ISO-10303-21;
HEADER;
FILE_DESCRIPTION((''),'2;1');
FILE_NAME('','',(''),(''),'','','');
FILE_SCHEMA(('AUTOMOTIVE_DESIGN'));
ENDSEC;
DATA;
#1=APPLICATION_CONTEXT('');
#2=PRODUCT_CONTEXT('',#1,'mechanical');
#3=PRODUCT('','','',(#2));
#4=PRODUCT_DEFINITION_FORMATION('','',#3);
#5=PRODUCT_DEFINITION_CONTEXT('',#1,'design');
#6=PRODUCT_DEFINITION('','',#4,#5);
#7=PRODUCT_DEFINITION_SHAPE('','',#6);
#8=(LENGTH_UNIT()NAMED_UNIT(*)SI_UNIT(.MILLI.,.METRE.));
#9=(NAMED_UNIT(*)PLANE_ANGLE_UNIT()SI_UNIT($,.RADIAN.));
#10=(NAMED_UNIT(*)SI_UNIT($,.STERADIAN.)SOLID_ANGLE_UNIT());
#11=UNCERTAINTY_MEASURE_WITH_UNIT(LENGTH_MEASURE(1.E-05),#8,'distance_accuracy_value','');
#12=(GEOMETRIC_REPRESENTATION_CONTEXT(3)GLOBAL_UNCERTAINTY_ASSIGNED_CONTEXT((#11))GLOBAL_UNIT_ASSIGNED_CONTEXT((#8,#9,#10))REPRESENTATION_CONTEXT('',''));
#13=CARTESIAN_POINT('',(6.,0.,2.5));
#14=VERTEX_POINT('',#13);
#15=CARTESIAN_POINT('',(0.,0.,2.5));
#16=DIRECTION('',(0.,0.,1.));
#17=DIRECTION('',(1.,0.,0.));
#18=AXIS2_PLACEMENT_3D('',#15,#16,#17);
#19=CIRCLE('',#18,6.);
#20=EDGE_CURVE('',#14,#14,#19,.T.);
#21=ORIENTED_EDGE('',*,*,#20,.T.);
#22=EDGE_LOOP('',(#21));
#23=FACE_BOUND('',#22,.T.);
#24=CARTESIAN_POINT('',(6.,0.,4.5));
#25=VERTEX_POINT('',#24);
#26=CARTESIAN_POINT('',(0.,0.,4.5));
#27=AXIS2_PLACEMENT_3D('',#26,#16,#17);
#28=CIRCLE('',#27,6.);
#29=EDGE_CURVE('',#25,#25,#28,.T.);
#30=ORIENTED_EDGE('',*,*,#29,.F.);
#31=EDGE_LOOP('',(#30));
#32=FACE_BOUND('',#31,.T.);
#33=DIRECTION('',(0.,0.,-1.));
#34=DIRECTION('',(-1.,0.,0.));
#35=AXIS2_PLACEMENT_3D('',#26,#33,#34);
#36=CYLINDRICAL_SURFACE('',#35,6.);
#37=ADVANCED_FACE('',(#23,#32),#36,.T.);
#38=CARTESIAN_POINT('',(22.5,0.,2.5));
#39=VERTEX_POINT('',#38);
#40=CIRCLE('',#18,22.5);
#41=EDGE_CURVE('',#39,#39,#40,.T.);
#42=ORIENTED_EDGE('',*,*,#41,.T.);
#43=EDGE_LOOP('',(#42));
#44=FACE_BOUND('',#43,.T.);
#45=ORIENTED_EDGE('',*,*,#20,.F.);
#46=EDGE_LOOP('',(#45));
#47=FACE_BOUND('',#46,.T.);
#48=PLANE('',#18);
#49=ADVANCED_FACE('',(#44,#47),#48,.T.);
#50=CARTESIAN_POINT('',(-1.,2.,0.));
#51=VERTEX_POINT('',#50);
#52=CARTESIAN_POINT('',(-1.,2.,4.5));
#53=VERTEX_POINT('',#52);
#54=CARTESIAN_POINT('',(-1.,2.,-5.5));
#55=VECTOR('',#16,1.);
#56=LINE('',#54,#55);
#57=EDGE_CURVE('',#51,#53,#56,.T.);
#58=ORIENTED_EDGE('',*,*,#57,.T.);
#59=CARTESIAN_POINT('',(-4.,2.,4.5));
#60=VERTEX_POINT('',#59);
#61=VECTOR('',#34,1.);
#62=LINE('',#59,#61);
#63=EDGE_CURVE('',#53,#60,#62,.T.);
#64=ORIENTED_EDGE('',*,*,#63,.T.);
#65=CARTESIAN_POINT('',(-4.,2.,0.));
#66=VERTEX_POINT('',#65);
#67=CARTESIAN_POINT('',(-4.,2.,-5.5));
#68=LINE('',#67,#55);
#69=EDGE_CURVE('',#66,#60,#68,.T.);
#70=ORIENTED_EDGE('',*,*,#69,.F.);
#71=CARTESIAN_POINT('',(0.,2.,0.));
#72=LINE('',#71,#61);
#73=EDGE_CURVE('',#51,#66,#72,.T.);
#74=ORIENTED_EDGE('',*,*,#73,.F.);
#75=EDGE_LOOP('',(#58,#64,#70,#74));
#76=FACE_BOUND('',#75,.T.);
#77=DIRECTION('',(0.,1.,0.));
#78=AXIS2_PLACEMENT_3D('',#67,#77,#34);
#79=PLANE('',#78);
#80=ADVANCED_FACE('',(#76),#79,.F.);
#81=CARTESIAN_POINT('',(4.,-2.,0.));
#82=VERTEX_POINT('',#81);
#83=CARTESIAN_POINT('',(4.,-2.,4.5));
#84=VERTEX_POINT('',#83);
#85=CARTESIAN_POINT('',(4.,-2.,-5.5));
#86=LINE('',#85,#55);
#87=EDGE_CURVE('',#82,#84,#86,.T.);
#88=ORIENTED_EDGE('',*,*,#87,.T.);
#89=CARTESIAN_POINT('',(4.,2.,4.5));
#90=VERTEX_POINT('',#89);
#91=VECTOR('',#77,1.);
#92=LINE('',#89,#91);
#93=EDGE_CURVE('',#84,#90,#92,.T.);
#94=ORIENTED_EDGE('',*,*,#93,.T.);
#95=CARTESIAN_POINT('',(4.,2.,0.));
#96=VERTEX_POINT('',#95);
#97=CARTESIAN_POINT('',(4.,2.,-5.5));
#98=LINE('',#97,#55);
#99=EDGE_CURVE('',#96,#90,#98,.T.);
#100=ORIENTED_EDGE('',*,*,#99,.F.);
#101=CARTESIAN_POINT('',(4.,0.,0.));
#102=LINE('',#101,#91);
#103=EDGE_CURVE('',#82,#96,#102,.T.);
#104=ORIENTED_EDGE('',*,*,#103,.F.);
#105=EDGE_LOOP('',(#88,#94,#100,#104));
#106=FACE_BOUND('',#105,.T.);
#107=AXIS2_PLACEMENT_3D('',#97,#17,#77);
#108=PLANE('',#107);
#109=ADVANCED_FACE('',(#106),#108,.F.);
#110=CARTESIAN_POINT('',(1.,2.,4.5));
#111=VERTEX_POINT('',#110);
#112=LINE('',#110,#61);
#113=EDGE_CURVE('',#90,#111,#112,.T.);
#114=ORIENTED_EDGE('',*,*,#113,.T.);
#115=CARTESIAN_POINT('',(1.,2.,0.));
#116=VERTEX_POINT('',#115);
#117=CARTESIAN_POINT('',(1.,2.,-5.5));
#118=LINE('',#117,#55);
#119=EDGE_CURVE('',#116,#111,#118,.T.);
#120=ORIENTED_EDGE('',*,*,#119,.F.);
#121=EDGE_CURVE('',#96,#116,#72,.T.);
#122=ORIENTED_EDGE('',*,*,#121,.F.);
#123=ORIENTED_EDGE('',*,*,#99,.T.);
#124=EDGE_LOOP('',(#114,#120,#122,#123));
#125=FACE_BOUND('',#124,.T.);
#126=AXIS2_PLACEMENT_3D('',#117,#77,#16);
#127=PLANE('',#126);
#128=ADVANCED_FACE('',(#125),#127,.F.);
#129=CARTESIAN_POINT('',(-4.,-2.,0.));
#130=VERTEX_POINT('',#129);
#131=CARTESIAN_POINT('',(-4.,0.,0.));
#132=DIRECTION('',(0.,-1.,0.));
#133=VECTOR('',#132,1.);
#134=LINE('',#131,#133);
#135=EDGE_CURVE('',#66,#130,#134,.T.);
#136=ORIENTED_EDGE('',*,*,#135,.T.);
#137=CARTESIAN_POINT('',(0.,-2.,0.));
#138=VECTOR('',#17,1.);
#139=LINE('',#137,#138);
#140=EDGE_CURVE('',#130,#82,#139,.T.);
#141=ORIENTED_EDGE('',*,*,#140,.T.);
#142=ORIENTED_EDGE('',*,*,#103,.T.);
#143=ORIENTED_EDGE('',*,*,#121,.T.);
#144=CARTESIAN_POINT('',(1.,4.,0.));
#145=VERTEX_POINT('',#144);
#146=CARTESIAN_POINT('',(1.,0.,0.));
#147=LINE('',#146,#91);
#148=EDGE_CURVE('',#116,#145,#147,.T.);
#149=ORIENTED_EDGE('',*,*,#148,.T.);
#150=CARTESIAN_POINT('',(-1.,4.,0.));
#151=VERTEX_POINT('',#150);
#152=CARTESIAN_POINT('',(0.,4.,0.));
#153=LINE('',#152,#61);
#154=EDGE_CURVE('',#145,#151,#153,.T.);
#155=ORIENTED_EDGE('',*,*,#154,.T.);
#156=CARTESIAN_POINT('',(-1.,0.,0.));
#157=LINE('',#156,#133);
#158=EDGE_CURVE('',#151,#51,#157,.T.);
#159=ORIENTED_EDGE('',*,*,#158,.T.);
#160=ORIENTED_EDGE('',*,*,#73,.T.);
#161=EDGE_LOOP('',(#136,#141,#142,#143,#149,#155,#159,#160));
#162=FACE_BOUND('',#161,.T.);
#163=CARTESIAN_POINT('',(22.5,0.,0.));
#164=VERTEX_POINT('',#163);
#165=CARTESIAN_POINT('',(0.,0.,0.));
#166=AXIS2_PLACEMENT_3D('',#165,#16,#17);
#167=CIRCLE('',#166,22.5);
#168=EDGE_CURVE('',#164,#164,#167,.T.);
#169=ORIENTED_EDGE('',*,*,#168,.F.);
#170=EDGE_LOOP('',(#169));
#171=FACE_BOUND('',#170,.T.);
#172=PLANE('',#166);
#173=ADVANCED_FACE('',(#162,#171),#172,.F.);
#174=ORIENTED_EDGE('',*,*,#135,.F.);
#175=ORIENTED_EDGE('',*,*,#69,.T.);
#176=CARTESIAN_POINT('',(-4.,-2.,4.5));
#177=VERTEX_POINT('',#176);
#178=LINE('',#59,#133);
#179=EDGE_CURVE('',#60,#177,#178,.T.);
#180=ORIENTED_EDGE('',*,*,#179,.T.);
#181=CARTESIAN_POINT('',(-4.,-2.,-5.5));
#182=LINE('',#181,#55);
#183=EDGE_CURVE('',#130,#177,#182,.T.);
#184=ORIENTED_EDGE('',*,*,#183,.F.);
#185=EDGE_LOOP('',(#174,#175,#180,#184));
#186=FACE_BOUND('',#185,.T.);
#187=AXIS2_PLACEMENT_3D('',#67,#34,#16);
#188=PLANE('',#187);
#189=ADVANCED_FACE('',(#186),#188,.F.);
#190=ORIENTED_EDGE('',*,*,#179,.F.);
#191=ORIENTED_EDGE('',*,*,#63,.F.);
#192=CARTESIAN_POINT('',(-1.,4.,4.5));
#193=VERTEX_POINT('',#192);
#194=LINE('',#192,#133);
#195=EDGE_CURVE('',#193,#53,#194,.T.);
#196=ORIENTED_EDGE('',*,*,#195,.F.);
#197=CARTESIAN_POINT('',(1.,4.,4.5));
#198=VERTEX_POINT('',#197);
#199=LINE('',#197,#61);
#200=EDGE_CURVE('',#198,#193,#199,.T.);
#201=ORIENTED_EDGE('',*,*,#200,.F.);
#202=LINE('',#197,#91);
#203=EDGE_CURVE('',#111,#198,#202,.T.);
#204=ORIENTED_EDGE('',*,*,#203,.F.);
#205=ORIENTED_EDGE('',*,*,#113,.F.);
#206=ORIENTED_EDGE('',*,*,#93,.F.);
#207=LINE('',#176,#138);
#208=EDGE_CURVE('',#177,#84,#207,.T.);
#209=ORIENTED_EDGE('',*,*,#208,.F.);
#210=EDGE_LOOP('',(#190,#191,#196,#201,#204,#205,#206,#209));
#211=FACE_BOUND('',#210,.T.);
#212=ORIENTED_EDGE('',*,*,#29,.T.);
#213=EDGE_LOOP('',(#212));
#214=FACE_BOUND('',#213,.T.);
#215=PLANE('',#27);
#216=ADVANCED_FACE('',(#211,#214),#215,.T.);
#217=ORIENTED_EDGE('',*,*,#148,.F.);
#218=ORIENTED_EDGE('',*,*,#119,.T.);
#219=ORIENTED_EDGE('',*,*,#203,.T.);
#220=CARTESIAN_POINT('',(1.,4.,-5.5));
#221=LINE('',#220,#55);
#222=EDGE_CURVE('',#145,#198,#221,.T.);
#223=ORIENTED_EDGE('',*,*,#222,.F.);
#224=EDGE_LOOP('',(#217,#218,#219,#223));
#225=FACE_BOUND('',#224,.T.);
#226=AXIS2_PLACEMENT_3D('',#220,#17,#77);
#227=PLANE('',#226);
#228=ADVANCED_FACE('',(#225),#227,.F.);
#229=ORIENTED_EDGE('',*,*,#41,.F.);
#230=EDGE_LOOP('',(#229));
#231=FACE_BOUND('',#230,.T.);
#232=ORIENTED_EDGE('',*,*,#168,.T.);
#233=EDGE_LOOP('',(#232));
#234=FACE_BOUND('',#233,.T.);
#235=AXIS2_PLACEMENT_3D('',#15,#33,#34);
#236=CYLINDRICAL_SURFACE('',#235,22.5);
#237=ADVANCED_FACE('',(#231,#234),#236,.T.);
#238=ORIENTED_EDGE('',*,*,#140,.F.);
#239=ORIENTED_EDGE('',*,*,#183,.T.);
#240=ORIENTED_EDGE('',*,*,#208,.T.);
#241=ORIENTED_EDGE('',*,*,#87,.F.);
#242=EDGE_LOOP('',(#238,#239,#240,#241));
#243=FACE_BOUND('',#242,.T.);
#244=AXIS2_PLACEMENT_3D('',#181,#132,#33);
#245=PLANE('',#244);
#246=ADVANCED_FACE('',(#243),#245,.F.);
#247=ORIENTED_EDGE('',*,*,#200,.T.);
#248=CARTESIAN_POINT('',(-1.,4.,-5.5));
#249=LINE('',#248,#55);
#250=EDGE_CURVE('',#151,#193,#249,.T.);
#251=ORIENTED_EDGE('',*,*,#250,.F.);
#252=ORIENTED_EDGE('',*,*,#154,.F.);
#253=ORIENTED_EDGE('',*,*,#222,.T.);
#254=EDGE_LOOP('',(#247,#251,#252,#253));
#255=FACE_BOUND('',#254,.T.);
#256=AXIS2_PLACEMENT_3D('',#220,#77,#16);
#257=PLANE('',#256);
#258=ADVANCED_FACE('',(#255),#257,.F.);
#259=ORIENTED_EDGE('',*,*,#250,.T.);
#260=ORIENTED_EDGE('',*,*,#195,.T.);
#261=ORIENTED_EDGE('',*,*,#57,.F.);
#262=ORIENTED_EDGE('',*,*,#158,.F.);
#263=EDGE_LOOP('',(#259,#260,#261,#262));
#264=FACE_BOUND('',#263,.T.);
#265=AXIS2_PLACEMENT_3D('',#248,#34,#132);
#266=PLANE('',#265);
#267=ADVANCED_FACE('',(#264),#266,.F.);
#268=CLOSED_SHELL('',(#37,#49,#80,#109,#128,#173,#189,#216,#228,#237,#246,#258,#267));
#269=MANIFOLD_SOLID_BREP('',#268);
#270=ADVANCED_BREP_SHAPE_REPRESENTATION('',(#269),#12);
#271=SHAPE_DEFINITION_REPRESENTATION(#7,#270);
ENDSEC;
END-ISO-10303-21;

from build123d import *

# Parameters (mm, degrees)
SKETCH1_R           = 22.5
BOSS_EXTRUDE1_DEPTH = 2.5
SKETCH2_R           = 6
BOSS_EXTRUDE2_DEPTH = 2
CUT_EXTRUDE1_DEPTH  = 10


with BuildPart() as part:
    # Sketch1 → Boss-Extrude1 (new body)
    with BuildSketch(Plane.XY):
        Circle(SKETCH1_R)
    extrude(amount=BOSS_EXTRUDE1_DEPTH)

    # Sketch2 → Boss-Extrude2 (add)
    with BuildSketch(Plane.XY.offset(2.5)):
        Circle(SKETCH2_R)
    extrude(amount=BOSS_EXTRUDE2_DEPTH)

    # Sketch3 → Cut-Extrude1 (cut)
    with BuildSketch(Plane.XY.offset(4.5)):
        Polygon((-4, 2), (-4, -2), (4, -2), (4, 2), (1, 2), (1, 4), (-1, 4), (-1, 2), align=None)
    extrude(amount=-CUT_EXTRUDE1_DEPTH, mode=Mode.SUBTRACT)


solid = part.part
